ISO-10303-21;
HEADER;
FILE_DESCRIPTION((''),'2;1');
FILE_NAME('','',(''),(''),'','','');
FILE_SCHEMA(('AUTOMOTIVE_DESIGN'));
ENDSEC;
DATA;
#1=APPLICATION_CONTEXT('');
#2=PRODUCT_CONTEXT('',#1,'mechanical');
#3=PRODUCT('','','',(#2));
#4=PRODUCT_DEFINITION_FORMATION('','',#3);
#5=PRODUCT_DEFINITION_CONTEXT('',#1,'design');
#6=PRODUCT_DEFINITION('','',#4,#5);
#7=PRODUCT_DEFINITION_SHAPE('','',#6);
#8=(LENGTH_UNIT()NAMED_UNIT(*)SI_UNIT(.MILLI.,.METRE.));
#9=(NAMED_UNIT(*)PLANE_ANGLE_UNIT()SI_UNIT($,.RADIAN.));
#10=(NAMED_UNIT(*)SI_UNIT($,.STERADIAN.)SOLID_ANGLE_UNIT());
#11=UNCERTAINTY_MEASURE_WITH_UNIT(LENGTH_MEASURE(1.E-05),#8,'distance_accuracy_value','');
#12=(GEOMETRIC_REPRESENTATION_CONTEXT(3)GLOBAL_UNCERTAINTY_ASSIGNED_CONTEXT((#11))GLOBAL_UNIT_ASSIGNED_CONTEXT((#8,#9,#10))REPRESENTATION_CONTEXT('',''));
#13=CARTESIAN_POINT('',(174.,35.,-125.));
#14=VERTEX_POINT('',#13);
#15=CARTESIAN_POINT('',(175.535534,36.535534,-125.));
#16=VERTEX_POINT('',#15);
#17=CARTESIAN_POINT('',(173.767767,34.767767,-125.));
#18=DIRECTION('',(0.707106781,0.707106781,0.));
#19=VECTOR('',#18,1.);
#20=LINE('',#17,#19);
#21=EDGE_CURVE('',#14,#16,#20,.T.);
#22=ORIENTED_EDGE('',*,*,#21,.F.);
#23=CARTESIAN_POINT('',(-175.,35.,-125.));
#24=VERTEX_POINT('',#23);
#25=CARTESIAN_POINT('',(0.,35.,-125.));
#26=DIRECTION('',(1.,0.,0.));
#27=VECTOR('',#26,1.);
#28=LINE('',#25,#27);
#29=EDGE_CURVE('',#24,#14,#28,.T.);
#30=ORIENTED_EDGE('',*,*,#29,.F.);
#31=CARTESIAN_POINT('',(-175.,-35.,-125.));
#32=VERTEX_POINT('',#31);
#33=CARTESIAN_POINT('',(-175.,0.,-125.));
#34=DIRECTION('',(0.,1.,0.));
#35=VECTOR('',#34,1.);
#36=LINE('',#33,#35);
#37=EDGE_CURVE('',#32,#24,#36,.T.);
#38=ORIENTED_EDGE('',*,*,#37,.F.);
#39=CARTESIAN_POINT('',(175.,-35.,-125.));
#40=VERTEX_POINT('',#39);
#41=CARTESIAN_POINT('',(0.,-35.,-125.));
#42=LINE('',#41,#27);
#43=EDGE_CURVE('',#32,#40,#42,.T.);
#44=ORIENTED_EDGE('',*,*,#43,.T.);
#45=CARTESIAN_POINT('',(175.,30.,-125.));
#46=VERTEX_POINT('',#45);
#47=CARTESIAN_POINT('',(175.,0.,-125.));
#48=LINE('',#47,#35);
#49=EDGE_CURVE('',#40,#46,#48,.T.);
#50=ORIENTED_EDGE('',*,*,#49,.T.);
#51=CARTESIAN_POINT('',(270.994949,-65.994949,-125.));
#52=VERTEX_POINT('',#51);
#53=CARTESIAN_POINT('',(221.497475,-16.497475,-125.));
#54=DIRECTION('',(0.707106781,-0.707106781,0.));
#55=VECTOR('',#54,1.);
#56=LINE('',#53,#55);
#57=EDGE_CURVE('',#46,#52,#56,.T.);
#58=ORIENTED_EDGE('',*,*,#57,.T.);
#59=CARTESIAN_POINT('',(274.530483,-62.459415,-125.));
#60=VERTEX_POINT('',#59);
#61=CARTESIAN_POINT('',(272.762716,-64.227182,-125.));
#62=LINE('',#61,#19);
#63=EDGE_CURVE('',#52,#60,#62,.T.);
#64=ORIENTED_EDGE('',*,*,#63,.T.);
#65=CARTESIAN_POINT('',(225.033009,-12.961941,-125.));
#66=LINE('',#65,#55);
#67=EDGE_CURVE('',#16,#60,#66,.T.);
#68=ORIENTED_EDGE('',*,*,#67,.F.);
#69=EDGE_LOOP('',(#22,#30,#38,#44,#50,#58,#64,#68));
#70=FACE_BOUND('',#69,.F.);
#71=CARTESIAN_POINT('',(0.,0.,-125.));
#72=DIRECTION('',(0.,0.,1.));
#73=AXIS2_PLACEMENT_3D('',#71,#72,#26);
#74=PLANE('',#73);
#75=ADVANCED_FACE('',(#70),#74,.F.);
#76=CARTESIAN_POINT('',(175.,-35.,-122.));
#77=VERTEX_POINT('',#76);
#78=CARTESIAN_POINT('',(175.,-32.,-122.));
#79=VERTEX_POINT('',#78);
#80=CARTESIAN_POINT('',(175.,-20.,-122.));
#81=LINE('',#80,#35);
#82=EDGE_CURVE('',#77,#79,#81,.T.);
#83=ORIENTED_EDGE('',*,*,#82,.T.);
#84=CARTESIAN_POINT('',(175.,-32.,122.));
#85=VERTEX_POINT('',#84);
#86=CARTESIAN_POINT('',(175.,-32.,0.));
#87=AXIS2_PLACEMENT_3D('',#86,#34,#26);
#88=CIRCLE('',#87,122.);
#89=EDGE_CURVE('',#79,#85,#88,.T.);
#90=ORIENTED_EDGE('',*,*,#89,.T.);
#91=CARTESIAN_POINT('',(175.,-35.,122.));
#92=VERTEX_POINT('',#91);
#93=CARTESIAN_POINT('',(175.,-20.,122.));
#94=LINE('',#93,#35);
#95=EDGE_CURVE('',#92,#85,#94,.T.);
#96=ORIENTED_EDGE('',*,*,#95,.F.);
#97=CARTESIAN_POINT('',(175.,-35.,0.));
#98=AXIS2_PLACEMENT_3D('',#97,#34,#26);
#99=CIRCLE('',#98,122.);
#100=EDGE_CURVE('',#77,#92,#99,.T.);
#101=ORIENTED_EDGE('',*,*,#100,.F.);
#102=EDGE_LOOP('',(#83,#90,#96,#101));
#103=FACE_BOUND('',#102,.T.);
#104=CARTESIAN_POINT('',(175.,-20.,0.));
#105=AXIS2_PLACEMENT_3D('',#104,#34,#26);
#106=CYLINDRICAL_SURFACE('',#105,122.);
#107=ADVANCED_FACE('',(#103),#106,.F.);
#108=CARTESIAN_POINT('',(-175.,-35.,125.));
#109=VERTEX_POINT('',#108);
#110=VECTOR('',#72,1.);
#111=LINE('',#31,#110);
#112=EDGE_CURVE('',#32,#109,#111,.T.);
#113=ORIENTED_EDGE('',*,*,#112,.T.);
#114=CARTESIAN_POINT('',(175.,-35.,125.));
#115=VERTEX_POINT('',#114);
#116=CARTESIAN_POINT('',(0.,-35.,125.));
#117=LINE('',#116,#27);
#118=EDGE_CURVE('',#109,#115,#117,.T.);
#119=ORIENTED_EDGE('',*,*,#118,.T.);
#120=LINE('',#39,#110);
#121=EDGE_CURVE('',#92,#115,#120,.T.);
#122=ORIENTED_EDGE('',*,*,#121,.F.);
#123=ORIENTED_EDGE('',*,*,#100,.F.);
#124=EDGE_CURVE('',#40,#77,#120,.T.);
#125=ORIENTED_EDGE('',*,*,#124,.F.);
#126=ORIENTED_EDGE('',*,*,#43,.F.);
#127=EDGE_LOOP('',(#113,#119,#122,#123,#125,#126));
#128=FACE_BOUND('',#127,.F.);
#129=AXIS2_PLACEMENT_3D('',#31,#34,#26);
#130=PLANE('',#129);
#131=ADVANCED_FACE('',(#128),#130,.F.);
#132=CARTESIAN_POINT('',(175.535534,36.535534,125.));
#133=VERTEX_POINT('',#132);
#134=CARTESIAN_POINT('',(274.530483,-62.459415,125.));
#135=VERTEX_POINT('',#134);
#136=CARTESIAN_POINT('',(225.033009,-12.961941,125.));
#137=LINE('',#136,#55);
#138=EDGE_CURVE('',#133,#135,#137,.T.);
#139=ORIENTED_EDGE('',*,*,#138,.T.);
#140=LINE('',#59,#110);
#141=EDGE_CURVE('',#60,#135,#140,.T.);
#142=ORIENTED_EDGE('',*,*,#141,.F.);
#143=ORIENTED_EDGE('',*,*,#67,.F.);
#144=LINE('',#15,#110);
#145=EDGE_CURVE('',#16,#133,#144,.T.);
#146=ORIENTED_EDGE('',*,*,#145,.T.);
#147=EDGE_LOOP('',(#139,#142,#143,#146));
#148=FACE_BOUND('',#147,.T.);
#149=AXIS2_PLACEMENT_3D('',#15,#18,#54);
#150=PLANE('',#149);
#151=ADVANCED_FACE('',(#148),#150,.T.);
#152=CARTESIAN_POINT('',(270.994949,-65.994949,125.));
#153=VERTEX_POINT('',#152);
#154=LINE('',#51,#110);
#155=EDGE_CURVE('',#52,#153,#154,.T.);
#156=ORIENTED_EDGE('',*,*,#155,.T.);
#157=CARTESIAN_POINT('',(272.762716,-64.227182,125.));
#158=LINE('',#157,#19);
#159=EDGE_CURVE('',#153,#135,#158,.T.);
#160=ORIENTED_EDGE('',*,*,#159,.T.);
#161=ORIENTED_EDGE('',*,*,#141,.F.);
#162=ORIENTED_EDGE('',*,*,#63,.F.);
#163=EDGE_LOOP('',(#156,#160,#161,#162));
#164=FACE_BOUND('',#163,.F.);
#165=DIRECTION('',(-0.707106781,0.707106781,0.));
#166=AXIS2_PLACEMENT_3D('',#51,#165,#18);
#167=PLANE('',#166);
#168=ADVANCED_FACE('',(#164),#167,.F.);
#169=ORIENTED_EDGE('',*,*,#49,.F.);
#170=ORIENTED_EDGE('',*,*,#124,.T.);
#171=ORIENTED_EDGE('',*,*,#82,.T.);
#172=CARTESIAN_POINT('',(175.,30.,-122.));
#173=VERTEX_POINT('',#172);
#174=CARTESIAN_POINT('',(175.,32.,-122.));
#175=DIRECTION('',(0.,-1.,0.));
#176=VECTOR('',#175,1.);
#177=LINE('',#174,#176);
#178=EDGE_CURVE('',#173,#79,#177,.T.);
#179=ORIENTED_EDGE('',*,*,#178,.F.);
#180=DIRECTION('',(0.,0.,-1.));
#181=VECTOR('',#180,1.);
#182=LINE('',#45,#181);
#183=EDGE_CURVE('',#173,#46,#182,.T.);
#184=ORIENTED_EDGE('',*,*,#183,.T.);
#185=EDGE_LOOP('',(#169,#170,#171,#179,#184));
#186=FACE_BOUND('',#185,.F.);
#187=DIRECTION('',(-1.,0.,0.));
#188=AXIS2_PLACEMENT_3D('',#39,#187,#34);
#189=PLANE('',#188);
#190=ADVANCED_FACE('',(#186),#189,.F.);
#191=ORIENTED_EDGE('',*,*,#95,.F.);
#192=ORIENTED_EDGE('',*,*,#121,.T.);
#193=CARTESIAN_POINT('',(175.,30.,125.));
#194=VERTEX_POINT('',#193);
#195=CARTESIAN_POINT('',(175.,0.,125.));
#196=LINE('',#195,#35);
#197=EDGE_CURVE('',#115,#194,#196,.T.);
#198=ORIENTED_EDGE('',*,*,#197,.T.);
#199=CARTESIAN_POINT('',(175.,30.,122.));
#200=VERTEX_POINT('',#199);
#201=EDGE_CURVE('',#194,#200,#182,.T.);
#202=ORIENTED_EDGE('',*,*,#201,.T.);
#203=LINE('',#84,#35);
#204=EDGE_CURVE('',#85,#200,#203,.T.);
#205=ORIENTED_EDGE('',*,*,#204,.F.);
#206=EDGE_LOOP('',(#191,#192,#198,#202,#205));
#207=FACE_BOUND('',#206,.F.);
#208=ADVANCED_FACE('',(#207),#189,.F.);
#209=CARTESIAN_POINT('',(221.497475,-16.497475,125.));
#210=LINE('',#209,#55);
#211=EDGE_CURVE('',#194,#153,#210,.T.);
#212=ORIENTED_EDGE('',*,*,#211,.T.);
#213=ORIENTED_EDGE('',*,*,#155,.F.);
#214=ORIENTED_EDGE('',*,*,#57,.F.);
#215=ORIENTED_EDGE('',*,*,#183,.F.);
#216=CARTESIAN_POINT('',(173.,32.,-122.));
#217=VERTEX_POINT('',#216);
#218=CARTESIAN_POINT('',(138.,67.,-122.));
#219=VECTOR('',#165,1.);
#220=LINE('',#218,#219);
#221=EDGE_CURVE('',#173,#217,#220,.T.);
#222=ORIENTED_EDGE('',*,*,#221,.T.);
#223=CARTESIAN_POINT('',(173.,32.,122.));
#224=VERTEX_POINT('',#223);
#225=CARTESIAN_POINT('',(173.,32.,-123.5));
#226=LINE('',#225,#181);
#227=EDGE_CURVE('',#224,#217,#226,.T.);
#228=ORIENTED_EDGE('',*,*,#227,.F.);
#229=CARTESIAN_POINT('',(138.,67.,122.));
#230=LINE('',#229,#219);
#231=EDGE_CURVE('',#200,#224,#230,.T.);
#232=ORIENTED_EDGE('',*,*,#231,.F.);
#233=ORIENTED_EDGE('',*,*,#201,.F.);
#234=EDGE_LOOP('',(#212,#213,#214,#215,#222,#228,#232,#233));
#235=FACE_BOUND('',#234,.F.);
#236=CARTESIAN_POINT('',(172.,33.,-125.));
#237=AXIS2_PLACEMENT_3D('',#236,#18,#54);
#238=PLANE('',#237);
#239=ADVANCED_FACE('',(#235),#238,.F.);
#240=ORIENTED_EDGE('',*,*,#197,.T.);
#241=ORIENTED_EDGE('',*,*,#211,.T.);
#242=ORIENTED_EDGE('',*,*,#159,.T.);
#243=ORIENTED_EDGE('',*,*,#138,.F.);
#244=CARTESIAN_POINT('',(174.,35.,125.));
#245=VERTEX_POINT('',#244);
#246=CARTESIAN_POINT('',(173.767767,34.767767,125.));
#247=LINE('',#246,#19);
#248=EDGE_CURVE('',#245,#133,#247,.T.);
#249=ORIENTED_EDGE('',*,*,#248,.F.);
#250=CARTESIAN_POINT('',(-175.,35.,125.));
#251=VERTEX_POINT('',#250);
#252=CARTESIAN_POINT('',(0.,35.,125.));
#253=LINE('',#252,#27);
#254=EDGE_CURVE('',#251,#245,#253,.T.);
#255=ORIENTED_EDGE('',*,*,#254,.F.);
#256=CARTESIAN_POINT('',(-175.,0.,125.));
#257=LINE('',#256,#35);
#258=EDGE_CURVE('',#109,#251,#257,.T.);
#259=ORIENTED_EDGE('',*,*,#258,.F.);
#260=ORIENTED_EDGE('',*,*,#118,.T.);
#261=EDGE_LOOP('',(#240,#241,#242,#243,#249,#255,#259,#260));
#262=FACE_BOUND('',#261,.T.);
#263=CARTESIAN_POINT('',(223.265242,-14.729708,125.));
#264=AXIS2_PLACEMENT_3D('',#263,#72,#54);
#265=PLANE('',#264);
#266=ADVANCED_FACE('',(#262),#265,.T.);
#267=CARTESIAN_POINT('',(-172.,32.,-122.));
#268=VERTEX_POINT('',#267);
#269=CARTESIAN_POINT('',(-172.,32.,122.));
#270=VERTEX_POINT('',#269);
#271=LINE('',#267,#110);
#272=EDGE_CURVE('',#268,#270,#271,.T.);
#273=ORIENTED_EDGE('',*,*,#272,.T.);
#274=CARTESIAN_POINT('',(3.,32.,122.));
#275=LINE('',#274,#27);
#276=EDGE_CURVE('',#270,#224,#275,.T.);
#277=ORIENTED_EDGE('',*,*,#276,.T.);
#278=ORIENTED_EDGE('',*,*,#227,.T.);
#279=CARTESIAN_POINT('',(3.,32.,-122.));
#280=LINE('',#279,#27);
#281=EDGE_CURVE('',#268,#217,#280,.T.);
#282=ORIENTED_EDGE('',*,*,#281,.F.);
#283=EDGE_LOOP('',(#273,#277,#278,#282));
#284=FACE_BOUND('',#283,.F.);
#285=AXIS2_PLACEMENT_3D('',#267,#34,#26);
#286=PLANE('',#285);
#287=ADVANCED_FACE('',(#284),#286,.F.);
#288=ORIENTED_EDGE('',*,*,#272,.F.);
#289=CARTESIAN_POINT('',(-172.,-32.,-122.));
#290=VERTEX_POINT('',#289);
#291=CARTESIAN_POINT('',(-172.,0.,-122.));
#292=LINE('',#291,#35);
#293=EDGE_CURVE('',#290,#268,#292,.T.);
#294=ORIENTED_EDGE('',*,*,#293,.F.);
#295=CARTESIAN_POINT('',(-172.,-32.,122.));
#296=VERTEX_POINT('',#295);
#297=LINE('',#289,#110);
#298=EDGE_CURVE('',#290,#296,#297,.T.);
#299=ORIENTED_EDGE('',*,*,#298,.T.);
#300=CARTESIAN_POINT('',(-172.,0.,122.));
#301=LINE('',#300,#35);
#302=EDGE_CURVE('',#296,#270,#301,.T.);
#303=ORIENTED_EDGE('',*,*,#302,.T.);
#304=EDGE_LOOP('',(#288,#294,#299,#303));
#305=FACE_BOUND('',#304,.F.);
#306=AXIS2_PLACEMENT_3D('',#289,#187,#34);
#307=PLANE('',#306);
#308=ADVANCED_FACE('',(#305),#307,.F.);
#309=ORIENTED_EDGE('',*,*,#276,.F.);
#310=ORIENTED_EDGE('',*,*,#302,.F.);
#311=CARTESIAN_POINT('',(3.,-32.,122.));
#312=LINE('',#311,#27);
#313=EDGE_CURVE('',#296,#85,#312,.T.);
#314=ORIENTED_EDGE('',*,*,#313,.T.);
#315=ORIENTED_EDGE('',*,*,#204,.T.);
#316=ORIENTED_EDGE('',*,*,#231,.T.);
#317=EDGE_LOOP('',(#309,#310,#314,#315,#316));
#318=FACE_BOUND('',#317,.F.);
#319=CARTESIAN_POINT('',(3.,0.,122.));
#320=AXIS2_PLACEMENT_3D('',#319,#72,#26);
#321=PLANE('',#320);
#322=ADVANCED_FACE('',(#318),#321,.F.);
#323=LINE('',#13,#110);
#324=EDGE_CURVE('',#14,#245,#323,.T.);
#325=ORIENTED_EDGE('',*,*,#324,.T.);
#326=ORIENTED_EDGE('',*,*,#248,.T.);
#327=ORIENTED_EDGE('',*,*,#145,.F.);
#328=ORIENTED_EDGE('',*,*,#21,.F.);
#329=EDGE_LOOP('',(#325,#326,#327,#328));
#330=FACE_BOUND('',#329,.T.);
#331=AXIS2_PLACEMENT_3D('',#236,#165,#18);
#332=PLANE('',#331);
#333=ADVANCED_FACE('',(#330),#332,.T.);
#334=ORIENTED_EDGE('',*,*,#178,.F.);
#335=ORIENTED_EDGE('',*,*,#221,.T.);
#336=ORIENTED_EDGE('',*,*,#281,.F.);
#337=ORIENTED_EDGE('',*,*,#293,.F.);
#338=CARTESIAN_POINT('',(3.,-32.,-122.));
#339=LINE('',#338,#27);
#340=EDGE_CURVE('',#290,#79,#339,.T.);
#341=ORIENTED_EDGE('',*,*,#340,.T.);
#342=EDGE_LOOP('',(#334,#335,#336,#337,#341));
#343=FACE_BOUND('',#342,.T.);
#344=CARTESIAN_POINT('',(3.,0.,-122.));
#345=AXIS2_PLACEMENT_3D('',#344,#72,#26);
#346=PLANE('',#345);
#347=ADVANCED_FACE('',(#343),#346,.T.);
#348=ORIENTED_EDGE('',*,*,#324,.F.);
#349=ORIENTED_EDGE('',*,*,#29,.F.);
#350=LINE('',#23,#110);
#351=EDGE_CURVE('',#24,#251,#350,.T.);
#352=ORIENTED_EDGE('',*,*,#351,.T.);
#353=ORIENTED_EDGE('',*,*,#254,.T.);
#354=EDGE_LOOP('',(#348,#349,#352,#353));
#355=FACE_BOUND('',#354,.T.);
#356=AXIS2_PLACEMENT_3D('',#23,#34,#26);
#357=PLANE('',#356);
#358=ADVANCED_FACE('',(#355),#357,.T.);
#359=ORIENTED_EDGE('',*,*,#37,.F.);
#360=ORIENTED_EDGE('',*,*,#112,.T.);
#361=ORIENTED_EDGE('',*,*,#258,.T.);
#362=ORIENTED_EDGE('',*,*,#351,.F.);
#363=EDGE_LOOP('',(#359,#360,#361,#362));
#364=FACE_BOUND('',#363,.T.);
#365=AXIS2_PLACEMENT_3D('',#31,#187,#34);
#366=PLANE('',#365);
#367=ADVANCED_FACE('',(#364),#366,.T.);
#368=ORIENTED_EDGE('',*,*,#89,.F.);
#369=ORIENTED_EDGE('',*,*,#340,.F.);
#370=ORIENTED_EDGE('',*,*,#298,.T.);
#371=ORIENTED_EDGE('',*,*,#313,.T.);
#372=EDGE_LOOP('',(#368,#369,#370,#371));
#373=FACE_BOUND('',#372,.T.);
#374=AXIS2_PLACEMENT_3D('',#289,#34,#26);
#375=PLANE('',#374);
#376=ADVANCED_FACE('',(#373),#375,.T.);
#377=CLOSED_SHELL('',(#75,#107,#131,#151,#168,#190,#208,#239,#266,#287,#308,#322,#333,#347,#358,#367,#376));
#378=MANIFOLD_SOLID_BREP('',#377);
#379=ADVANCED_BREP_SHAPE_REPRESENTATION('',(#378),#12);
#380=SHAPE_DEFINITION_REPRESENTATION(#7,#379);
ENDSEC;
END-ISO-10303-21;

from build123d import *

# Parameters (mm, degrees)
BOX002_W               = 140
BOX002_H               = 5
BOX002_DEPTH           = 250
BOX002_PLACEMENT_ANGLE = -45
CYLINDER_R             = 122
CYLINDER_DEPTH         = 20
CYLINDER_ROLL_ANGLE    = 90
BOX001_W               = 350
BOX001_H               = 64
BOX001_DEPTH           = 244
BOX_W                  = 350
BOX_H                  = 70
BOX_DEPTH              = 250


with BuildPart() as cube002:
    # Box002 → Box002 (new body)
    with BuildSketch(Plane.XY):
        with Locations((70, 2.5)):
            Rectangle(BOX002_W, BOX002_H)
    extrude(amount=BOX002_DEPTH)


with BuildPart() as cube002_1:
    # Box002 placement: moved
    add(cube002.part.moved(Location((172, 33, -125))).rotate(Axis((172, 33, -125), (0, 0, 1)), BOX002_PLACEMENT_ANGLE))


with BuildPart() as cylinder:
    # Cylinder → Cylinder (new body)
    with BuildSketch(Plane.XY):
        Circle(CYLINDER_R)
    extrude(amount=CYLINDER_DEPTH)


with BuildPart() as cylinder_1:
    # Cylinder roll: moved
    add(cylinder.part.rotate(Axis((0, 0, 0), (1, 0, 0)), CYLINDER_ROLL_ANGLE))


with BuildPart() as cylinder_2:
    # Cylinder placement: moved
    add(cylinder_1.part.moved(Location((175, -20, 0))))


with BuildPart() as cube001:
    # Box001 → Box001 (new body)
    with BuildSketch(Plane(origin=(-172, -32, -122), x_dir=(1, 0, 0), z_dir=(0, 0, 1))):
        with Locations((175, 32)):
            Rectangle(BOX001_W, BOX001_H)
    extrude(amount=BOX001_DEPTH)


with BuildPart() as fusion:
    # Box → Box (new body)
    with BuildSketch(Plane(origin=(-175, -35, -125), x_dir=(1, 0, 0), z_dir=(0, 0, 1))):
        with Locations((175, 35)):
            Rectangle(BOX_W, BOX_H)
    extrude(amount=BOX_DEPTH)

    # Cut: cut Cube001
    add(cube001.part, mode=Mode.SUBTRACT)

    # Cut001: cut Cylinder
    add(cylinder_2.part, mode=Mode.SUBTRACT)

    # Fusion: union Cube002
    add(cube002_1.part)


solid = fusion.part
